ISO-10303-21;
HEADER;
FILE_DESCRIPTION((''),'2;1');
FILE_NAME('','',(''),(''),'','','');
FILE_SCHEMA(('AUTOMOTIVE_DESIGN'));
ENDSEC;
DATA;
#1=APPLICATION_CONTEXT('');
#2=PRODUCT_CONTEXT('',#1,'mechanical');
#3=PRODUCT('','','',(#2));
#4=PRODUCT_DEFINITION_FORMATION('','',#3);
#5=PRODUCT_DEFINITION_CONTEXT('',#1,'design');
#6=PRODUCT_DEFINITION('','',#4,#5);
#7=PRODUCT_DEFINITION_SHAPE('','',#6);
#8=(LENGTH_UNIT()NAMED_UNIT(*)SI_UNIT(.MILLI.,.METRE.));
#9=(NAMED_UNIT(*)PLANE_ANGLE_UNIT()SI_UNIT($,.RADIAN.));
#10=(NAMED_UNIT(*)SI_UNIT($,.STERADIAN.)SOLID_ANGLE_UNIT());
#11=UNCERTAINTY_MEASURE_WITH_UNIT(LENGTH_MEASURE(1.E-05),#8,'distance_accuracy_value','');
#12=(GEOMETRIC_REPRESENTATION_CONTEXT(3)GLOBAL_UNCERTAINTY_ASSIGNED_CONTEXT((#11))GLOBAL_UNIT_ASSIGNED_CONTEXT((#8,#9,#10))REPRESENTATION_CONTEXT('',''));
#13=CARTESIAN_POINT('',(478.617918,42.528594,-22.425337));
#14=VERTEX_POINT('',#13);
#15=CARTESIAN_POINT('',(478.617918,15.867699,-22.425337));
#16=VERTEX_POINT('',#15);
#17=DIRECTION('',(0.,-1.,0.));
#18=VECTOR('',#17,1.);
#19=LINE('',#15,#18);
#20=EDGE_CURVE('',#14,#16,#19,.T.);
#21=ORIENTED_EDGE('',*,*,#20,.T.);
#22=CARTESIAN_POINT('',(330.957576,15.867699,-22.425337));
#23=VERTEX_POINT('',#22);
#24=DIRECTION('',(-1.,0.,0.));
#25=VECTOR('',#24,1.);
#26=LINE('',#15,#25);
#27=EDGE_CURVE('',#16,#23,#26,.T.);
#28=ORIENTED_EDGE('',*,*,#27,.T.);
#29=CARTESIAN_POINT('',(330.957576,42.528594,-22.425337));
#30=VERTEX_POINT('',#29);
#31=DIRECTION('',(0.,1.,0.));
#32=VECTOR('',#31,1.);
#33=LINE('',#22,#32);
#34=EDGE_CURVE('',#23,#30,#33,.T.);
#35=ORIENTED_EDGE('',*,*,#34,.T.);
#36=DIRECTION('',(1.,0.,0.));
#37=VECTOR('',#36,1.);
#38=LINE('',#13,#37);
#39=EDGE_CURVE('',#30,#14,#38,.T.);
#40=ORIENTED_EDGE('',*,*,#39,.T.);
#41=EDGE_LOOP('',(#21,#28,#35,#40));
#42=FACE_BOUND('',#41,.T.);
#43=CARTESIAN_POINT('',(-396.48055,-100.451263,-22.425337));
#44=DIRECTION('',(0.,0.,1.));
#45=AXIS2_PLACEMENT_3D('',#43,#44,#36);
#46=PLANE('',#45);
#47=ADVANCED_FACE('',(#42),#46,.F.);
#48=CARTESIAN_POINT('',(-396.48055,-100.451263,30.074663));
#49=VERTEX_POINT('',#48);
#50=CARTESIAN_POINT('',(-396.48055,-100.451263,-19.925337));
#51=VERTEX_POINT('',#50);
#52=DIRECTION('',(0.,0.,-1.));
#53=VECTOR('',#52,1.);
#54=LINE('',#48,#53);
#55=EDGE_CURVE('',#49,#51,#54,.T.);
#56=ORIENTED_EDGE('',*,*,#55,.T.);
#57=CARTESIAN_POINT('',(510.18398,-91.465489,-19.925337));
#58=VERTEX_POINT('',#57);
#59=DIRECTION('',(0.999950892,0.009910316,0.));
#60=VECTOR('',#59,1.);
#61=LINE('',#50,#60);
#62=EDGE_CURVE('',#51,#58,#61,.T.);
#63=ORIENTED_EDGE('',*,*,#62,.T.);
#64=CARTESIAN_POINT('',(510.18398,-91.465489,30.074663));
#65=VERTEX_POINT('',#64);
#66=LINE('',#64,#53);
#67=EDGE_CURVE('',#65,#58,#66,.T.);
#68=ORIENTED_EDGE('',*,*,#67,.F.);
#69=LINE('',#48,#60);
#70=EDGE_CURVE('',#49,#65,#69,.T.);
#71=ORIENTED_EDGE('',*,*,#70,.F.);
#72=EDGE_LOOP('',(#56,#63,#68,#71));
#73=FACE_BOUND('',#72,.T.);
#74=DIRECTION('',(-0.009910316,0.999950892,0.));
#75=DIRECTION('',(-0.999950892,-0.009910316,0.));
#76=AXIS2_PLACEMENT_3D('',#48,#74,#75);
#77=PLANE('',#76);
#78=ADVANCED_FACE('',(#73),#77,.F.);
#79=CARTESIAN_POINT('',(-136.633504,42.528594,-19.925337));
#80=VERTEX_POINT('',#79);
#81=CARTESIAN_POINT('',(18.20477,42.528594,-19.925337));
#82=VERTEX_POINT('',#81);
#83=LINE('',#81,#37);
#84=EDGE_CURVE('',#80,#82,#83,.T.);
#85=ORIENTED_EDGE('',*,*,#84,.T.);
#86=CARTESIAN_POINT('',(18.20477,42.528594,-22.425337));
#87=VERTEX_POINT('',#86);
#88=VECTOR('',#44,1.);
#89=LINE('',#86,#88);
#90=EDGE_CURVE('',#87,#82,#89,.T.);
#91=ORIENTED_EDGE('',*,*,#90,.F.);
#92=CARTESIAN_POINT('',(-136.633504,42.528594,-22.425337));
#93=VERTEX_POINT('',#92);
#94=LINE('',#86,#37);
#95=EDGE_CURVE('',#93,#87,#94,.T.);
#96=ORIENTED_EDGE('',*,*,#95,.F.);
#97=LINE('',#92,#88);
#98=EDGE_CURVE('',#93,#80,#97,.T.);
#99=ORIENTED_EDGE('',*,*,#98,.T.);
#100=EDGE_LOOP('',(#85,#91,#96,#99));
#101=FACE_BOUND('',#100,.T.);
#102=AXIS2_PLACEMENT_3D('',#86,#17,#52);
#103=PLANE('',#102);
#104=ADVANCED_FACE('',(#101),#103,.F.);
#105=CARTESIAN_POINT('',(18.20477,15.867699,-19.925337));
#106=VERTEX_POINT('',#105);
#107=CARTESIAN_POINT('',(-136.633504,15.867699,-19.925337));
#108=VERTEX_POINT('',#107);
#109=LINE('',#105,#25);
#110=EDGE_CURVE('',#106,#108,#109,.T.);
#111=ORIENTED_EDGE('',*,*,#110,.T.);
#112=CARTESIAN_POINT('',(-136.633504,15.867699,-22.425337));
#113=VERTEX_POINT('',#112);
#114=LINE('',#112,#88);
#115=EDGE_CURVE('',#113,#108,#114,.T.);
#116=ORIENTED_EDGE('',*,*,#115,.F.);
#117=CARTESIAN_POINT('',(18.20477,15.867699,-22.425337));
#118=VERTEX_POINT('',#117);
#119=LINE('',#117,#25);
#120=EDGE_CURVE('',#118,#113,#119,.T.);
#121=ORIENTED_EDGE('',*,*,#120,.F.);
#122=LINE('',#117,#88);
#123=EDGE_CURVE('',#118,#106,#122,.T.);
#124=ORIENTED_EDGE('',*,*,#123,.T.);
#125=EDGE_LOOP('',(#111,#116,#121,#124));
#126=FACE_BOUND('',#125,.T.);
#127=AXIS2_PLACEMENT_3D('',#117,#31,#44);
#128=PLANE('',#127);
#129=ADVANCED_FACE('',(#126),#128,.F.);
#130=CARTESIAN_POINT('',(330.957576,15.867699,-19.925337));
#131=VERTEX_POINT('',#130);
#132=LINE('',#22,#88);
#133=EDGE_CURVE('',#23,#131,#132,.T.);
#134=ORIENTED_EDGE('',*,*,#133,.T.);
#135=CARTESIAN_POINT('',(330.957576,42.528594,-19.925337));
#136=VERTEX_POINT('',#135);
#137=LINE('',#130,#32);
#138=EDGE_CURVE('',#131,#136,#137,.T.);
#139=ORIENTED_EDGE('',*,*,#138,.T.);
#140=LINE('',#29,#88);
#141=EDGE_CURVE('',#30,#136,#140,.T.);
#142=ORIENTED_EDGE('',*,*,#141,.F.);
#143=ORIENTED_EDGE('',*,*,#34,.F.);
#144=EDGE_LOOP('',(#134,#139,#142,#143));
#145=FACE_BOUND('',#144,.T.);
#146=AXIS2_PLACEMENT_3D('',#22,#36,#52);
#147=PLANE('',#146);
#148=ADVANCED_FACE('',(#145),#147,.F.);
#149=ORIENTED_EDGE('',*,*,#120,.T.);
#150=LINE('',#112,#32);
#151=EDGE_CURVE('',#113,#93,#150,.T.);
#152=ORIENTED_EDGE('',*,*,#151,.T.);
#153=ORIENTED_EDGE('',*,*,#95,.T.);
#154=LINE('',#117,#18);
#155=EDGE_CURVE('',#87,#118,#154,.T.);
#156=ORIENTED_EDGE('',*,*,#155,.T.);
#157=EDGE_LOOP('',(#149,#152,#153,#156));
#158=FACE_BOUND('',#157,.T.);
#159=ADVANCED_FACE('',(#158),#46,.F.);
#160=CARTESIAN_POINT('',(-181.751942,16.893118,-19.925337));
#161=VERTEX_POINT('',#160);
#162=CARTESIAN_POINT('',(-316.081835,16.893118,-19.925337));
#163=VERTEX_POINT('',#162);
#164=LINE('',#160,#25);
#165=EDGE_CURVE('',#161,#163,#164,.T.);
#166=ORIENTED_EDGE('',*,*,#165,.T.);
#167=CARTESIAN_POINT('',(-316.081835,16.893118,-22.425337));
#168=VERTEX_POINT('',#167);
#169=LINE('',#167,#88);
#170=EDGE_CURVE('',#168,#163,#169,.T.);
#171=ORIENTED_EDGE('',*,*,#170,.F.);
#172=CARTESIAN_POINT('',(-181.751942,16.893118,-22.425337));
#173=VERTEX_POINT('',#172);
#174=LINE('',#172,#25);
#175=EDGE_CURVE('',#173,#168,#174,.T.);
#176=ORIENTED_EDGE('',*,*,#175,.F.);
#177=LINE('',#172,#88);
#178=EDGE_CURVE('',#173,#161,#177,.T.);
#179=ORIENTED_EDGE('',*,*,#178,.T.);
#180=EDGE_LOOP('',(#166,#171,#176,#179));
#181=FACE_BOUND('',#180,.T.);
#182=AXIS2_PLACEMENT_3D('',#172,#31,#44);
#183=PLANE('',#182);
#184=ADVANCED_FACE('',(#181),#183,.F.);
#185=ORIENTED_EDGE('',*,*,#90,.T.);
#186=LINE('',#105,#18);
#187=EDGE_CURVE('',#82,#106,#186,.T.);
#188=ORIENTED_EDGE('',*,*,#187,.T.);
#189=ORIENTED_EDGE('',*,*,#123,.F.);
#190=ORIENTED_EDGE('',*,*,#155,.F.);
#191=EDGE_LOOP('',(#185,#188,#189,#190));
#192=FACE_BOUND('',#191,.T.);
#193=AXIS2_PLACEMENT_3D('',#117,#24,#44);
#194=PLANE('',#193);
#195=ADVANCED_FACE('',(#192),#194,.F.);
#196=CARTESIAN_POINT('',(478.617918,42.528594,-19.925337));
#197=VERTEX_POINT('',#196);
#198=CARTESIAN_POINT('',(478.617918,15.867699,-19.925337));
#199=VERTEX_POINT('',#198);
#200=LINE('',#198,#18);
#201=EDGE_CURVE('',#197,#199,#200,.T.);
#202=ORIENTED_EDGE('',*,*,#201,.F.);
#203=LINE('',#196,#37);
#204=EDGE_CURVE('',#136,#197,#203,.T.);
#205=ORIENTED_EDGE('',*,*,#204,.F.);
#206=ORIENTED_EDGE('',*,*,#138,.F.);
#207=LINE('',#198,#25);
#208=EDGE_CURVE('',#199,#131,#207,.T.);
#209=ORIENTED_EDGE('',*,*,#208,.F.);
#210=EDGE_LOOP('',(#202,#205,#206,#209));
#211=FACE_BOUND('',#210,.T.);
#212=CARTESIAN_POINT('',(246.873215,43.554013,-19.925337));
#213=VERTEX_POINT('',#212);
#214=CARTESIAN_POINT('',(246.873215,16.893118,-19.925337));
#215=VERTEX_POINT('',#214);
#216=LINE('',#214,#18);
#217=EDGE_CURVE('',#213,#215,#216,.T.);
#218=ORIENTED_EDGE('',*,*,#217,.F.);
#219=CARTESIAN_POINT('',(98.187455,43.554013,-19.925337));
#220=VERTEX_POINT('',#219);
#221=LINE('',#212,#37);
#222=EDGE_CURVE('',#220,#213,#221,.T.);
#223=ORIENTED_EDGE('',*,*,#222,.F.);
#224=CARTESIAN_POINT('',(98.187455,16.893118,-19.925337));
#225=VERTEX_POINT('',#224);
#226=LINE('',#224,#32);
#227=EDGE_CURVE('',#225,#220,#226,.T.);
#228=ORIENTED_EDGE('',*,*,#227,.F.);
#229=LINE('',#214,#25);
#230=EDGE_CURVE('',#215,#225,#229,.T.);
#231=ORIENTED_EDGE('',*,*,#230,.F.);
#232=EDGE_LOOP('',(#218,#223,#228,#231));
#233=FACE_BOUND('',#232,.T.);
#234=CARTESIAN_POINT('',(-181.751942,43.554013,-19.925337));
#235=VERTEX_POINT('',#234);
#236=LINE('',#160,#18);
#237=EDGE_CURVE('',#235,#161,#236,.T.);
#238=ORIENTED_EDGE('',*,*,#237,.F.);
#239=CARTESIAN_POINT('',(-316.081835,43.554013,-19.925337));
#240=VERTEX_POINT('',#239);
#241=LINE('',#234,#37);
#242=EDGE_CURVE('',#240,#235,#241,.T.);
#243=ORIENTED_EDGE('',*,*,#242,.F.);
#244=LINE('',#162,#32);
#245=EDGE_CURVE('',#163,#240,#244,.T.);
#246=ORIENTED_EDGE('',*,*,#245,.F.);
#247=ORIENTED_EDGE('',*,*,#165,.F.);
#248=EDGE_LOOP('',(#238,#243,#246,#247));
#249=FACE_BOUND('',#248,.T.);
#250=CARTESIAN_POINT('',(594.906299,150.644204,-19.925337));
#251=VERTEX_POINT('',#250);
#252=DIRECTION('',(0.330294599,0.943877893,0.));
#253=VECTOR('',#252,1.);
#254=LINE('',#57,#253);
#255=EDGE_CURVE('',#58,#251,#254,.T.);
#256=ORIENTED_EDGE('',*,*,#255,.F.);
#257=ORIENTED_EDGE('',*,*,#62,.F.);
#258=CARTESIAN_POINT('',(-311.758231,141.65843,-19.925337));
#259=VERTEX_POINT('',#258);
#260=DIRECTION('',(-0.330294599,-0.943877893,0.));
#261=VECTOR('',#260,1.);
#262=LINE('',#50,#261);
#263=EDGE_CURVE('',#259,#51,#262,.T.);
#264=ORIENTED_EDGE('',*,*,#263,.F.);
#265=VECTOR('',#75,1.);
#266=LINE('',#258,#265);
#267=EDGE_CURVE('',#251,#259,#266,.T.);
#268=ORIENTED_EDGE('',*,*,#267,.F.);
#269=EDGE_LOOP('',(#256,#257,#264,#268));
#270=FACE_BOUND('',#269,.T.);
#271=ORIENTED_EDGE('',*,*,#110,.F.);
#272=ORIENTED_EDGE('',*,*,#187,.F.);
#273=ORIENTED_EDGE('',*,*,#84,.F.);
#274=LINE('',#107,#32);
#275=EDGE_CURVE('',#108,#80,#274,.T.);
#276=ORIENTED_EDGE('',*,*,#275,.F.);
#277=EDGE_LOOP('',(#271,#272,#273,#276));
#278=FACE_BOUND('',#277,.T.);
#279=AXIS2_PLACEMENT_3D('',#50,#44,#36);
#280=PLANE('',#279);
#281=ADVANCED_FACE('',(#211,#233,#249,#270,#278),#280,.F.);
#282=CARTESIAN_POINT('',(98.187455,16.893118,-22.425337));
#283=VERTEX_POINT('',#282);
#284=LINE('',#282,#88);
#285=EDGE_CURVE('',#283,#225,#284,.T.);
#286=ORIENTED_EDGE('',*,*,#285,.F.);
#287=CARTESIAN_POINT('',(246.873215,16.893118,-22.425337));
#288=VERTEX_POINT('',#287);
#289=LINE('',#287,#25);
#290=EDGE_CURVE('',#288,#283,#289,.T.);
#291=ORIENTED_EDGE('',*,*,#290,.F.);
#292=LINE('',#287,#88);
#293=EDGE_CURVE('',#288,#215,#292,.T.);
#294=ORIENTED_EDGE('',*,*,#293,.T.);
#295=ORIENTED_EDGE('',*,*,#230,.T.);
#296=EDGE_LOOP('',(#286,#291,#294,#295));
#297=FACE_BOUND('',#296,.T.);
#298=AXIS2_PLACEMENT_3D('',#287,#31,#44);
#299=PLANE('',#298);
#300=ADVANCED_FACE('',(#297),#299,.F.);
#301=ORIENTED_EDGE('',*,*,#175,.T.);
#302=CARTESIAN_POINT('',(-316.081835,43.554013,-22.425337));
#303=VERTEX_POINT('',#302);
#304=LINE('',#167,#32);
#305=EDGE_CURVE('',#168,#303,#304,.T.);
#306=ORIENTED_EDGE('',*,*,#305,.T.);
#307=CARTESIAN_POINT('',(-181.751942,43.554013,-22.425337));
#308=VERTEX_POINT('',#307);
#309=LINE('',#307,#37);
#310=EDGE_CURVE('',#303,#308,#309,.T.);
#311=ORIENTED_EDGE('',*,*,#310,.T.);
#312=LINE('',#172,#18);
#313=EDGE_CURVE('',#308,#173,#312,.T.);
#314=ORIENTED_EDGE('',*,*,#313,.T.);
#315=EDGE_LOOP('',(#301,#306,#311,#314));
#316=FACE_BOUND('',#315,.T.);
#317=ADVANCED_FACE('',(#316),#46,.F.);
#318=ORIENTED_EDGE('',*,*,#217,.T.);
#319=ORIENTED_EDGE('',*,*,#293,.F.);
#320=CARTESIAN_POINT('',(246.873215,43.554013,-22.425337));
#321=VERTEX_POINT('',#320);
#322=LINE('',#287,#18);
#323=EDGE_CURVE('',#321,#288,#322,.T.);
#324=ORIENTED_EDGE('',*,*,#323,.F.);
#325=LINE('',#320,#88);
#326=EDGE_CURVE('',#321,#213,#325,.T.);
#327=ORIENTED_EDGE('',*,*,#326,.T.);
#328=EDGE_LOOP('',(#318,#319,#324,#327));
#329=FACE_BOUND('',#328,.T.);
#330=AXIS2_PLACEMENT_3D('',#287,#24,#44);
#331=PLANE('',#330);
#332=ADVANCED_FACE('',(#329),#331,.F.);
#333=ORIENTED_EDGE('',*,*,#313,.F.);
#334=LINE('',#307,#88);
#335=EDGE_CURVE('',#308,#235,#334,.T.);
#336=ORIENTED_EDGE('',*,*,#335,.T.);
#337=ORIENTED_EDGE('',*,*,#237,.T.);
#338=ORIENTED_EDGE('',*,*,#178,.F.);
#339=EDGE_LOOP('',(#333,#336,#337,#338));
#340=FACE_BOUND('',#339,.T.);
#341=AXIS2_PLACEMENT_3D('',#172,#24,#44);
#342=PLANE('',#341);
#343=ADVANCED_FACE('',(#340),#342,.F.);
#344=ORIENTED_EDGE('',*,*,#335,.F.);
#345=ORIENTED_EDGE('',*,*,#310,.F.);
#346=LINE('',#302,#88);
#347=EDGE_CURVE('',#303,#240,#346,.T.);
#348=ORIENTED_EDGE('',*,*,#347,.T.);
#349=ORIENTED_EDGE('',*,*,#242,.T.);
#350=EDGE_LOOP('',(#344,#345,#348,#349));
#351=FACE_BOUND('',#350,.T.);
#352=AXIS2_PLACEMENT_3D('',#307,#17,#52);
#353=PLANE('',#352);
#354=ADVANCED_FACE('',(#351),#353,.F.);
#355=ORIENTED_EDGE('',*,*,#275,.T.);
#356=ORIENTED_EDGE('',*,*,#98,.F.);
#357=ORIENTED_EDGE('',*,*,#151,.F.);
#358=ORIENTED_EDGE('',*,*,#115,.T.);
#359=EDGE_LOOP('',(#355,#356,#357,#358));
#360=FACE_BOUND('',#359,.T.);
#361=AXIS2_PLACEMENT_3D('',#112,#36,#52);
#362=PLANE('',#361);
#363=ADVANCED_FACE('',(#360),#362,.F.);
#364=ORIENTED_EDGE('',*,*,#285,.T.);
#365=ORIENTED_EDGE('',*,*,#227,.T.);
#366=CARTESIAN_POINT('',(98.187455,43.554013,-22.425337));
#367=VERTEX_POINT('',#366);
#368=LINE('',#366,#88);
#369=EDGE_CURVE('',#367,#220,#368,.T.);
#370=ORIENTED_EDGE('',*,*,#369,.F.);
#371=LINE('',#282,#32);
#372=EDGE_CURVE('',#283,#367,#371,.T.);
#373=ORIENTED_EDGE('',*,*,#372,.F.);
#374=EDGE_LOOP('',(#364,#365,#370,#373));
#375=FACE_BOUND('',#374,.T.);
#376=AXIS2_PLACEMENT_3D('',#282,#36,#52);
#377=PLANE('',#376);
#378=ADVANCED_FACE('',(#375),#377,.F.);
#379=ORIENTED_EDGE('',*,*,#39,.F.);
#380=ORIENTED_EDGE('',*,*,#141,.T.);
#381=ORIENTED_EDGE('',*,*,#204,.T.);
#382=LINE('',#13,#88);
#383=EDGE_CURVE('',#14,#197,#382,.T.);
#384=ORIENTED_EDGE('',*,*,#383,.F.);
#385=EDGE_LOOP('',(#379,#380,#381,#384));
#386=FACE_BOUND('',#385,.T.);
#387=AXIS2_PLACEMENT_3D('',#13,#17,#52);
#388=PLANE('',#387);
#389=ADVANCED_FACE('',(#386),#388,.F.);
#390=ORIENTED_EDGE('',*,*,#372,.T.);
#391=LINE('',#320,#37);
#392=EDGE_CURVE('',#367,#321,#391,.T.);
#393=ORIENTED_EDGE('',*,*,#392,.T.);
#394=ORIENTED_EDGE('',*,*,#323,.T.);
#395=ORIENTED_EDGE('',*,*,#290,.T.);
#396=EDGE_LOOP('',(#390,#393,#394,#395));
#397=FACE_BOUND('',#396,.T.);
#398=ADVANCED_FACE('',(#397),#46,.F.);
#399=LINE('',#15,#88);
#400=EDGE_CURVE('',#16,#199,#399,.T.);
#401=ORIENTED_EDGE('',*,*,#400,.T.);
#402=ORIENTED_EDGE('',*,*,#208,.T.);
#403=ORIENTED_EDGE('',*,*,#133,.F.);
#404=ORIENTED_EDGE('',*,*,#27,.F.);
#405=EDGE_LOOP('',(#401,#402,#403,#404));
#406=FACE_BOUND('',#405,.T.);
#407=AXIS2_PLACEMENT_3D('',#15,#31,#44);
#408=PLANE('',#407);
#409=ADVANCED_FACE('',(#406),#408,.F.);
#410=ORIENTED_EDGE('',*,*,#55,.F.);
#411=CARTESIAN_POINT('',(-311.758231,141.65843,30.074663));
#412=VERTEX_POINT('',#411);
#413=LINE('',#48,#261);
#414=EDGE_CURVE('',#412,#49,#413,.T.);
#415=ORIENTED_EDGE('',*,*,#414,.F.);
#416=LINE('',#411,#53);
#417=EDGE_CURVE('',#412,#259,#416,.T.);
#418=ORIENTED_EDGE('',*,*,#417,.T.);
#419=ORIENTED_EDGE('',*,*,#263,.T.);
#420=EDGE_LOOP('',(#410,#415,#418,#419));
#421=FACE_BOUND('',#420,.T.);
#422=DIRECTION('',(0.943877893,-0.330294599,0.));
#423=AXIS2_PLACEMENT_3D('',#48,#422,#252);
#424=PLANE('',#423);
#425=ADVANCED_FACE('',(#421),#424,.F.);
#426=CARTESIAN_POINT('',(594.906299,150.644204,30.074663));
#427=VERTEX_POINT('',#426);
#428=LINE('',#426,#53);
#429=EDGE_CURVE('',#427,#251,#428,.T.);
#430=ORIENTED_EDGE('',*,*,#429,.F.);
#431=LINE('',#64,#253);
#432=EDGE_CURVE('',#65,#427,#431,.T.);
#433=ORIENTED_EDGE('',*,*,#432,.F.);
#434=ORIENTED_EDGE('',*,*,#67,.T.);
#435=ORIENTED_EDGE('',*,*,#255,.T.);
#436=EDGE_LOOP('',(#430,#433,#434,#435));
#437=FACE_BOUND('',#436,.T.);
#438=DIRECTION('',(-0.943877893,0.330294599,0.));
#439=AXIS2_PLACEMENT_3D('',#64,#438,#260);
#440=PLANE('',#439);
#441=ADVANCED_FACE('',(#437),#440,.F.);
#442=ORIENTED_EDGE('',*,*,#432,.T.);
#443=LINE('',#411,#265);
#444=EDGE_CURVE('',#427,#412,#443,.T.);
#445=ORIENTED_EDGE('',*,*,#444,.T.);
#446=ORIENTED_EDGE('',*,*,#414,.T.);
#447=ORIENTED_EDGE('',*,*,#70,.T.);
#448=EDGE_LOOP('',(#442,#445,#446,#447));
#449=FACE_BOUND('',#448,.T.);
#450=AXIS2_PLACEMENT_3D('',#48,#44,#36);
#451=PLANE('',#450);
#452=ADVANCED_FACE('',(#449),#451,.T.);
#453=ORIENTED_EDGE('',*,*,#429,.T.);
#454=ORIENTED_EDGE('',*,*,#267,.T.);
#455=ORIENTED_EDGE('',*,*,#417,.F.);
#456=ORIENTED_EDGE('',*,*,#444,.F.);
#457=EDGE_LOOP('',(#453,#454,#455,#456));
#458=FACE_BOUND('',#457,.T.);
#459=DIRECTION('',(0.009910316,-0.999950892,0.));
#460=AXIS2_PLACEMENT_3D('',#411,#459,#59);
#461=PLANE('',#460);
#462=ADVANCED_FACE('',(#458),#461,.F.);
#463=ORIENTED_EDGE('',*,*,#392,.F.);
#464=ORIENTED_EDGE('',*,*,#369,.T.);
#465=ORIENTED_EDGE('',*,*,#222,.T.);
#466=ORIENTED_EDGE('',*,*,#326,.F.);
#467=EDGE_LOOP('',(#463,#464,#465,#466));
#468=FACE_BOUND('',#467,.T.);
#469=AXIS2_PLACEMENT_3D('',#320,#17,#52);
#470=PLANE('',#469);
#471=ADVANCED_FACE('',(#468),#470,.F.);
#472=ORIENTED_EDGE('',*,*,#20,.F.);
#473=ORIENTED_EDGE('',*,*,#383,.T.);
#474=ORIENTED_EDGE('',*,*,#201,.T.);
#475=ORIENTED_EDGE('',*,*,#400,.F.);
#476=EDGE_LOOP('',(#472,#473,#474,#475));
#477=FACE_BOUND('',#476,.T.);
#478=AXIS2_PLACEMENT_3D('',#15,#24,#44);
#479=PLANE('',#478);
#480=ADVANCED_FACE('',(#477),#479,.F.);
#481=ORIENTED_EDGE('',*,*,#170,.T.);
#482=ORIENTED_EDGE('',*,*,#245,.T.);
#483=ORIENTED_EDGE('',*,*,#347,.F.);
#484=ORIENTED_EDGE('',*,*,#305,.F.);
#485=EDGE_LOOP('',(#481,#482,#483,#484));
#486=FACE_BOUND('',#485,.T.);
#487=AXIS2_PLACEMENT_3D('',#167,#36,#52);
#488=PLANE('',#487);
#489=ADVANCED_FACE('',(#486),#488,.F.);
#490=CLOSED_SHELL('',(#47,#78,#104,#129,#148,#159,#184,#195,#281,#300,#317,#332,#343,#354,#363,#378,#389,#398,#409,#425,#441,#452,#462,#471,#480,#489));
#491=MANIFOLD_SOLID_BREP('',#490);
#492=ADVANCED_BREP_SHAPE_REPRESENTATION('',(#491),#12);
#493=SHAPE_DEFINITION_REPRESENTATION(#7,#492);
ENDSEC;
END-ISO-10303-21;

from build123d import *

# Parameters (mm, degrees)
BOSS_EXTRUDE2_DEPTH = 10
SKETCH3_W           = 29.532068245
SKETCH3_H           = 5.332178988
SKETCH3_W_2         = 29.737152051
SKETCH3_W_3         = 30.967654895
SKETCH3_W_4         = 26.86597875
BOSS_EXTRUDE3_DEPTH = 0.5
SCALE1_SCALE        = 5


with BuildPart() as part:
    # Sketch2 → Boss-Extrude2 (new body)
    with BuildSketch(Plane.XY):
        Polygon((0, 0), (16.944463815, 48.421938639), (198.277369744, 50.219093306), (181.332905929, 1.797154667), align=None)
    extrude(amount=BOSS_EXTRUDE2_DEPTH)

    # Sketch3 → Boss-Extrude3 (add)
    with BuildSketch(Plane(origin=(0, 0, 0), x_dir=(-1, 0, 0), z_dir=(0, 0, -1))):
        with Locations((-160.253659434, 25.929881882)):
            Rectangle(SKETCH3_W, SKETCH3_H)
        with Locations((-113.802177091, 26.134965689)):
            Rectangle(SKETCH3_W_2, SKETCH3_H)
        with Locations((-67.453236652, 25.929881882)):
            Rectangle(SKETCH3_W_3, SKETCH3_H)
        with Locations((-29.51273231, 26.134965689)):
            Rectangle(SKETCH3_W_4, SKETCH3_H)
    extrude(amount=BOSS_EXTRUDE3_DEPTH)


with BuildPart() as part_1:
    # Scale1: scaled about (99.120137523, 25.112815696, 4.981334283)
    add(part.part.scale(SCALE1_SCALE).moved(Location((-396.480550092, -100.451262784, -19.925337132))))


solid = part_1.part
